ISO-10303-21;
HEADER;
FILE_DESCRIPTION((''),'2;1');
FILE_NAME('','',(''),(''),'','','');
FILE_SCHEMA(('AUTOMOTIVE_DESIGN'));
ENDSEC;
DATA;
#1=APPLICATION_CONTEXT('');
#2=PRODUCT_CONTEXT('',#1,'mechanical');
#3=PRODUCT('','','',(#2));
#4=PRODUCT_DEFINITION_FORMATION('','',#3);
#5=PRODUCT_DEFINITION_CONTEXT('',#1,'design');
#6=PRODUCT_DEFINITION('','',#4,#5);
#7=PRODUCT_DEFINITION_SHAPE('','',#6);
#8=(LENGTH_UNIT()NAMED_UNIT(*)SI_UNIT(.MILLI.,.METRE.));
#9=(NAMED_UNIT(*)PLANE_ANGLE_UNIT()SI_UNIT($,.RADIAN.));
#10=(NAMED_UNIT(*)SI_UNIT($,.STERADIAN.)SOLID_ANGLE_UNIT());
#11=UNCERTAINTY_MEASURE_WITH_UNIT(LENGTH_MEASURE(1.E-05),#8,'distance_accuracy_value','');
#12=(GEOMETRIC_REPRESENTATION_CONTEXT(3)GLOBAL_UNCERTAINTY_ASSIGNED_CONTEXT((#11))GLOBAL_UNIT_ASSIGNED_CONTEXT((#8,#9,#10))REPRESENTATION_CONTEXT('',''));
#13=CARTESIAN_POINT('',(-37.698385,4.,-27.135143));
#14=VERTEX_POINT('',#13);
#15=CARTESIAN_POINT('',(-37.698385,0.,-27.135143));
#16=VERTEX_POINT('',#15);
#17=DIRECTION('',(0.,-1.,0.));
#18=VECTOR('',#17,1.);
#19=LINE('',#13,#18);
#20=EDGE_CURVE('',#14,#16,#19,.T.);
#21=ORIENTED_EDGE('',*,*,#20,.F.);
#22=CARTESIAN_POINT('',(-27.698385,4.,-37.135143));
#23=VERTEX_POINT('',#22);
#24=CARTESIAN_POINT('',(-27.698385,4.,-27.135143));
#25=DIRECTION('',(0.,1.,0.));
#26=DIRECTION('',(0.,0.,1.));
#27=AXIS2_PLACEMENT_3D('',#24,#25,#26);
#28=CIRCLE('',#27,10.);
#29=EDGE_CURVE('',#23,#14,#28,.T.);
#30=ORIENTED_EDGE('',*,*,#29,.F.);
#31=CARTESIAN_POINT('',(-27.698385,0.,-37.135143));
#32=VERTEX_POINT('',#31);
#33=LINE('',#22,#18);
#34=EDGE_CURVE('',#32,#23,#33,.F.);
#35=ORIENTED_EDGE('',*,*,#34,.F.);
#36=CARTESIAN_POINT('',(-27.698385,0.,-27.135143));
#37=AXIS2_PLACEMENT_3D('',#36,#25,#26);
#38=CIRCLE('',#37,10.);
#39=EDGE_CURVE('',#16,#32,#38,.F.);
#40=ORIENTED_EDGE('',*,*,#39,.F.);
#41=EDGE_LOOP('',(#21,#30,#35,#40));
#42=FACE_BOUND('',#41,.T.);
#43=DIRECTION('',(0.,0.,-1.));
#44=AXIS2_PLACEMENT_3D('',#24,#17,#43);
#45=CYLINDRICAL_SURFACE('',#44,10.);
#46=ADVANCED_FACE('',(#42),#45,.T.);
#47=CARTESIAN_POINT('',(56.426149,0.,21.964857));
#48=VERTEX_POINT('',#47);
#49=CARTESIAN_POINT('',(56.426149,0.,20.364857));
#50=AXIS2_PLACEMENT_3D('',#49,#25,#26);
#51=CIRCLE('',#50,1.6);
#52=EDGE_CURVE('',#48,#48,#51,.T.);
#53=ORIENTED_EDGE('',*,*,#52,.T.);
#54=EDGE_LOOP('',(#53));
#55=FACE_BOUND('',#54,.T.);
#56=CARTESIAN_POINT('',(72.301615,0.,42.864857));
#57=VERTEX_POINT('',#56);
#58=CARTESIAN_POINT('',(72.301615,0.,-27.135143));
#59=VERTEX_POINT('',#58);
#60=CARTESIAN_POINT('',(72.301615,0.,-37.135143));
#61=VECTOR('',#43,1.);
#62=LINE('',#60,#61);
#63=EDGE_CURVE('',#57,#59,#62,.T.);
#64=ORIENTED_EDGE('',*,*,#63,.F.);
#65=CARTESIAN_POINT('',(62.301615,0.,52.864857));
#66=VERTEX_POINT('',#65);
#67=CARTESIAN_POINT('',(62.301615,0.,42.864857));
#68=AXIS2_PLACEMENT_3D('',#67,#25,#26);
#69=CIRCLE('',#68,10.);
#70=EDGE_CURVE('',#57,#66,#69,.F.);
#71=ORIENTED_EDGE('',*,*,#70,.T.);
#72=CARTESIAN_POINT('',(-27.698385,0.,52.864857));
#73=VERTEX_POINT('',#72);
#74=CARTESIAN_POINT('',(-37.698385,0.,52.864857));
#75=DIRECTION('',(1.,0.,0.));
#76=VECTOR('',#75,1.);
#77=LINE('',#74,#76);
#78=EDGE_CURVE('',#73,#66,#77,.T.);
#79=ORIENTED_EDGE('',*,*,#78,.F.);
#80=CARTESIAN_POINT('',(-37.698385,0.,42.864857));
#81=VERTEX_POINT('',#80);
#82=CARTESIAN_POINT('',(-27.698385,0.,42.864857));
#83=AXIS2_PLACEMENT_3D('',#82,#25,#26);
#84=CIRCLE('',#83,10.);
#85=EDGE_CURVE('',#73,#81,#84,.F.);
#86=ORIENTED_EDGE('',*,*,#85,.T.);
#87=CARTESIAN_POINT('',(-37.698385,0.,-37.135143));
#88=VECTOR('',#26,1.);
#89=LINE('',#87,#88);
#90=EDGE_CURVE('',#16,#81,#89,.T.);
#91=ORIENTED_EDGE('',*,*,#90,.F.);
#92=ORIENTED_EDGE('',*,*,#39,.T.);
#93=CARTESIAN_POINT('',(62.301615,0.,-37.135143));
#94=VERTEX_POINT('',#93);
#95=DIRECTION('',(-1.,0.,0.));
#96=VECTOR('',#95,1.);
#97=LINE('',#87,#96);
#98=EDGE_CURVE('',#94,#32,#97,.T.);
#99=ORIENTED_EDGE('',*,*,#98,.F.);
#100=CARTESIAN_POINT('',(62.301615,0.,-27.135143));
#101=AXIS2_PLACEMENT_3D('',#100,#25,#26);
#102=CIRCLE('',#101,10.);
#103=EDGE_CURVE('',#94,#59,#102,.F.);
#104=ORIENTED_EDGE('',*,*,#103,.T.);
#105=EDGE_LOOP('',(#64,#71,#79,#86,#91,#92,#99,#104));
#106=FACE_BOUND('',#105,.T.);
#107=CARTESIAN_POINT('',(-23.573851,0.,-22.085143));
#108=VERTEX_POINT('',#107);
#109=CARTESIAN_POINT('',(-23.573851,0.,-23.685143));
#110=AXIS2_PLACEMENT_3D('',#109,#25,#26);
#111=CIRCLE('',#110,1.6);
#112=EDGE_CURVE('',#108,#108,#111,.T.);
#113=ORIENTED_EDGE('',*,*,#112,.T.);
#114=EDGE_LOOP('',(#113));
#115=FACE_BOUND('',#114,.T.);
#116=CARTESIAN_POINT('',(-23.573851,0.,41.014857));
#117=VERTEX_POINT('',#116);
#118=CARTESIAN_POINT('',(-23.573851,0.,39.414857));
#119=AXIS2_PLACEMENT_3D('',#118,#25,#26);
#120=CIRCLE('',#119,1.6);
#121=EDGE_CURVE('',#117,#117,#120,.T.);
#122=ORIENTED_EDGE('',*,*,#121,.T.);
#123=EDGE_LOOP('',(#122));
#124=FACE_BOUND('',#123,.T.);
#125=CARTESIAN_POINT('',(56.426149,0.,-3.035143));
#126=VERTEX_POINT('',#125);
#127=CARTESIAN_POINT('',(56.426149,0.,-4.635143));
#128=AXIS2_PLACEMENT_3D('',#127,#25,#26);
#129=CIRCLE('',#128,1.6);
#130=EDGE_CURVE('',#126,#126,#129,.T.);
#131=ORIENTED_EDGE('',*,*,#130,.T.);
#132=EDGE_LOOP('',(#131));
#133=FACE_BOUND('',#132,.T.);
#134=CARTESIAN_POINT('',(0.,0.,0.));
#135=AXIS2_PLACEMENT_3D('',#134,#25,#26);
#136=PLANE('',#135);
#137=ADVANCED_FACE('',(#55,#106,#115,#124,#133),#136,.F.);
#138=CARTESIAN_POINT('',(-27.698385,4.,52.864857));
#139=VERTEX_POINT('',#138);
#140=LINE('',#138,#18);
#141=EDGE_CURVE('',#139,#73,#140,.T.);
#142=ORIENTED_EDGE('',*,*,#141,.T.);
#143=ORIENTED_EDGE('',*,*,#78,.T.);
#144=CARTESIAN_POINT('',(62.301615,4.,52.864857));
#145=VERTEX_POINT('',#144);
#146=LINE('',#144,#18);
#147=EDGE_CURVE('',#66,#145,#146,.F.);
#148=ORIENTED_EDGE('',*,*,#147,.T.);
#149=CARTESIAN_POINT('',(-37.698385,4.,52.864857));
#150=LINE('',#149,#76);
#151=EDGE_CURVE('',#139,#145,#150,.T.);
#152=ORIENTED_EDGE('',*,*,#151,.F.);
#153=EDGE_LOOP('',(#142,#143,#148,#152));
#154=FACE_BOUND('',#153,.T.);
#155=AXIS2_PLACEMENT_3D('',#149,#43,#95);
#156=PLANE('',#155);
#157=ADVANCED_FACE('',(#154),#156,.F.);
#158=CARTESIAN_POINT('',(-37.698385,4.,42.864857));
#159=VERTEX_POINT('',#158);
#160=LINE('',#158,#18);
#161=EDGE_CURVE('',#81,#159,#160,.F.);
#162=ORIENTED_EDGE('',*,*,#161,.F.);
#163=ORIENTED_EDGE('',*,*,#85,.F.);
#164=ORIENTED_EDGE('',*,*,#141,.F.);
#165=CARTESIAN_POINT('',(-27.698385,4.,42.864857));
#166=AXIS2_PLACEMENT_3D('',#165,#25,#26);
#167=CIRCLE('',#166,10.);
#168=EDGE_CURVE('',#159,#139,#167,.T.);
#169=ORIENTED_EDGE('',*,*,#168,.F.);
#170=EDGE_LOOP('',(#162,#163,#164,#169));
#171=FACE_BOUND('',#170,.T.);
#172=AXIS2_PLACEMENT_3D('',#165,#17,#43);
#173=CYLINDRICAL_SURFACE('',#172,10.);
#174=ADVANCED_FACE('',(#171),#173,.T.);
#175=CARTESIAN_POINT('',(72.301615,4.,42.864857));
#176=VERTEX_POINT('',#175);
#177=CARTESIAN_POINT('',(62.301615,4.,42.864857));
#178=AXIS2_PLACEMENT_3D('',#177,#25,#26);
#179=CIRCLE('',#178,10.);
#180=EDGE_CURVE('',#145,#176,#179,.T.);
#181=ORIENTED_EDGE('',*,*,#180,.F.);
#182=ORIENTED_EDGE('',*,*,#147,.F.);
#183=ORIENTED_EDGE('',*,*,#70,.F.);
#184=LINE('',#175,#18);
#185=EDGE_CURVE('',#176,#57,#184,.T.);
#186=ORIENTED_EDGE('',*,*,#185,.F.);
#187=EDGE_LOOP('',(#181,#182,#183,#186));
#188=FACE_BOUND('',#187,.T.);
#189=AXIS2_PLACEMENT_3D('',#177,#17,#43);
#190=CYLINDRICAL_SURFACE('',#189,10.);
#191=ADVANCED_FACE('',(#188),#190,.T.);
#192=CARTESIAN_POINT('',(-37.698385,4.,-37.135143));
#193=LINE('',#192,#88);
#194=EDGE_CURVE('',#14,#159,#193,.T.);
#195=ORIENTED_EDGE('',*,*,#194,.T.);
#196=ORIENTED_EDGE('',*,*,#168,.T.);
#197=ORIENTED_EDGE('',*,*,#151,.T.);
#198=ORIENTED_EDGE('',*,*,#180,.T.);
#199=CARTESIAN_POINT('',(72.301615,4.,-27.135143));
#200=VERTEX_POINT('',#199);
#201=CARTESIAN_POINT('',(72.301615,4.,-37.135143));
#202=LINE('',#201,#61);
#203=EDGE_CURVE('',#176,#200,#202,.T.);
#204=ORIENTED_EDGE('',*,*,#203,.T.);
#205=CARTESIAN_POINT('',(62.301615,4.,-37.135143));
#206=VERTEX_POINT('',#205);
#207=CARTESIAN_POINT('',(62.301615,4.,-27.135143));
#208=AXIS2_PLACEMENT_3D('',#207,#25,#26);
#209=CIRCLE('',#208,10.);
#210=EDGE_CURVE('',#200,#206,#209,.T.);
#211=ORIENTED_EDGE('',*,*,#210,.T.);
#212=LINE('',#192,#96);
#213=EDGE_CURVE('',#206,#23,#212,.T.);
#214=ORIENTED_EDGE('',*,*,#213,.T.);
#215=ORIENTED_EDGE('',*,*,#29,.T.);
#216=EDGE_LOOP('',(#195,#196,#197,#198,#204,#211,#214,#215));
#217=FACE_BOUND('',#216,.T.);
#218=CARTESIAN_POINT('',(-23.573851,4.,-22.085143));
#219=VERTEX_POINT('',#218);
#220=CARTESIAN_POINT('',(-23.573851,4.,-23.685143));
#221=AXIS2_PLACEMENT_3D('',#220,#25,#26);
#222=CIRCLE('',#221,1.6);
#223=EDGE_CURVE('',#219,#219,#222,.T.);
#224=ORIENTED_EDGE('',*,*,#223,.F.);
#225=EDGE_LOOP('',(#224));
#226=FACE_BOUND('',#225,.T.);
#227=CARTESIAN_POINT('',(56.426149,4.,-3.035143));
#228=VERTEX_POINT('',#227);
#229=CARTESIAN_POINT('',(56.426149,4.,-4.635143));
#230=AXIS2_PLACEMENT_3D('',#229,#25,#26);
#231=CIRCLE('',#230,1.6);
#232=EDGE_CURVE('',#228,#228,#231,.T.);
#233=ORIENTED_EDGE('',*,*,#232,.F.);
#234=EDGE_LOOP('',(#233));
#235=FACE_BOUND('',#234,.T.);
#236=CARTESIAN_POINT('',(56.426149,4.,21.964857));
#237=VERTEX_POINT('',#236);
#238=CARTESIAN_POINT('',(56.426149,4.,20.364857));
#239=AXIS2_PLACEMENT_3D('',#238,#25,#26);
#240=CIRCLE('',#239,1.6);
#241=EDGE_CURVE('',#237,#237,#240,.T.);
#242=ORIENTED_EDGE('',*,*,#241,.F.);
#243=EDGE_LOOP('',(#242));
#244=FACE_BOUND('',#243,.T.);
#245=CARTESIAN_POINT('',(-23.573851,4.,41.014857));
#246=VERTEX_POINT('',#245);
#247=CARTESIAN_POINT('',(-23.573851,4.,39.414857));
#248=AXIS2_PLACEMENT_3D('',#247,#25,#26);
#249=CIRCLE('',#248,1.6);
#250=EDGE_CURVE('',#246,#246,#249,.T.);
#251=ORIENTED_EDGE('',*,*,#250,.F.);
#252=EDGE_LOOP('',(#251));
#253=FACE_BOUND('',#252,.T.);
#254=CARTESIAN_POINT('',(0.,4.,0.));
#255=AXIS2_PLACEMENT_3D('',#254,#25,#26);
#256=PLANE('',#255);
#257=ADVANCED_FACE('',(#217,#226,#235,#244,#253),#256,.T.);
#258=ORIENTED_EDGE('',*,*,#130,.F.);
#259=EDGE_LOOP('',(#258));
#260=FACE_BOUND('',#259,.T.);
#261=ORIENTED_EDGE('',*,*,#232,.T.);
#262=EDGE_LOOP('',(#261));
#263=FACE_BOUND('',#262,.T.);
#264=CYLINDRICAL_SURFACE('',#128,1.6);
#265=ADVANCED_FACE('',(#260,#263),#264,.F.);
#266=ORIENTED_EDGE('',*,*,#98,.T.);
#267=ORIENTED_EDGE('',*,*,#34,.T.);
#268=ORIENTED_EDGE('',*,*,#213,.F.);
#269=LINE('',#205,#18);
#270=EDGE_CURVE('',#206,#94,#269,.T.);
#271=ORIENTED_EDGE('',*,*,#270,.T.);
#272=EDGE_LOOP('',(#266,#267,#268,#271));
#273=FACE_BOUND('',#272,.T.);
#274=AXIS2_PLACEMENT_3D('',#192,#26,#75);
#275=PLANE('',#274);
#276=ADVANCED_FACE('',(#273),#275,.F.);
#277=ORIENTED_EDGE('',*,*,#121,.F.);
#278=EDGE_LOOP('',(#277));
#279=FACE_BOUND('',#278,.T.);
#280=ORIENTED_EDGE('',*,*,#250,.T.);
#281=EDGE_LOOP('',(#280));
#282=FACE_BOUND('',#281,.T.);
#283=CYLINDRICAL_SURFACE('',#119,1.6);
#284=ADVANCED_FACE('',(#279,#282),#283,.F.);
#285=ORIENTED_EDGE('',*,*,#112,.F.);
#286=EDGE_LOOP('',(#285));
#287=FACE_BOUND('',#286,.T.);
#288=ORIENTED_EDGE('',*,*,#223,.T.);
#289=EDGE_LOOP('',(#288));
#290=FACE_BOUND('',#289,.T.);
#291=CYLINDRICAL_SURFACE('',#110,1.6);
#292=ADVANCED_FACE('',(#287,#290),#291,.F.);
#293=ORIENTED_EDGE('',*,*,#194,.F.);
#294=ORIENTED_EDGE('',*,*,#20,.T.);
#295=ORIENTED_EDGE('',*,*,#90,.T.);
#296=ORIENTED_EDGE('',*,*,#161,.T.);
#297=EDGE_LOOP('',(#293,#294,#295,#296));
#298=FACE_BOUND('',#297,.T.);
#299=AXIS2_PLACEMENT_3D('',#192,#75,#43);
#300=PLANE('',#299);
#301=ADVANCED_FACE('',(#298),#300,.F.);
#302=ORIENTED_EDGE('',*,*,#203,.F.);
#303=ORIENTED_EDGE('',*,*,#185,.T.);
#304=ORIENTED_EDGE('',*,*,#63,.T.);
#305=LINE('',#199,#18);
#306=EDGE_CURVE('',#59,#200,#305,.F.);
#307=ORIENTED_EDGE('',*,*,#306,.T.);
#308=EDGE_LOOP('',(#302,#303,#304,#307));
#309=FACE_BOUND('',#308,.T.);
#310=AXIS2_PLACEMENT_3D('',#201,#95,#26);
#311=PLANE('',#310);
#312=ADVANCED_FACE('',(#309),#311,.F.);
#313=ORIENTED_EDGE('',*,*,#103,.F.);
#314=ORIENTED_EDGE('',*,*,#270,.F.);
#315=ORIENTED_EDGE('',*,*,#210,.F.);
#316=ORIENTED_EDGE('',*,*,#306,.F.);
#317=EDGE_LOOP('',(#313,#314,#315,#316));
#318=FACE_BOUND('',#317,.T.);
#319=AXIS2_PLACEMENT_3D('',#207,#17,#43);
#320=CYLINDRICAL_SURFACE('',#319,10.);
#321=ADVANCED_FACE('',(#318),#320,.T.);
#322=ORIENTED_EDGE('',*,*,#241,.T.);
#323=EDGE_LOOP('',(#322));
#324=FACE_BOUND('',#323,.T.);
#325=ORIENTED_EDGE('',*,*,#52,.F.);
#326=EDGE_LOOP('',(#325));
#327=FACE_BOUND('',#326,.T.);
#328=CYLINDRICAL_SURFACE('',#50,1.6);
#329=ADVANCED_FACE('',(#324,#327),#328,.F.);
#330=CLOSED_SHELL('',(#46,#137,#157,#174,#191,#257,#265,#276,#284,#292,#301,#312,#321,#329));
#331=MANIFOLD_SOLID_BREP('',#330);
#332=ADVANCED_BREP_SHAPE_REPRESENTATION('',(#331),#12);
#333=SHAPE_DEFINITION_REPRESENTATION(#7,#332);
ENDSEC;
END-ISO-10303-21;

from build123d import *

# Parameters (mm, degrees)
SKETCH_1_W          = 110
SKETCH_1_H          = 90
EXTRUDE_1_DEPTH     = 4
FILLET_1_R          = 10
SKETCH_2_R          = 1.6
CUT_EXTRUDE_1_DEPTH = 4


with BuildPart() as part:
    # 草图1 → 凸台-拉伸1 (new body)
    with BuildSketch(Plane(origin=(0, 0, 0), x_dir=(1, 0, 0), z_dir=(0, 1, 0))):
        with Locations((17.30161478, -7.864857462)):
            Rectangle(SKETCH_1_W, SKETCH_1_H)
    extrude(amount=EXTRUDE_1_DEPTH)

    # 圆角1
    fillet_1_edges = [part.edges().sort_by_distance(p)[0] for p in [
        (-37.69838522, 2, -37.135142538),
        (72.30161478, 2, -37.135142538),
        (72.30161478, 2, 52.864857462),
        (-37.69838522, 2, 52.864857462),
    ]]
    fillet(fillet_1_edges, radius=FILLET_1_R)

    # 草图2 → 切除-拉伸1 (cut)
    with BuildSketch(Plane(origin=(0, 4, 0), x_dir=(1, 0, 0), z_dir=(0, 1, 0))):
        with Locations(Location((-23.573851483, 23.685142538, 0), (0, 0, 270))):
            Circle(SKETCH_2_R)
        with Locations(Location((-23.573851483, -39.414857462, 0), (0, 0, 270))):
            Circle(SKETCH_2_R)
        with Locations(Location((56.426148517, -20.364857462, 0), (0, 0, 270))):
            Circle(SKETCH_2_R)
        with Locations(Location((56.426148517, 4.635142538, 0), (0, 0, 270))):
            Circle(SKETCH_2_R)
    extrude(amount=-CUT_EXTRUDE_1_DEPTH, mode=Mode.SUBTRACT)


solid = part.part
